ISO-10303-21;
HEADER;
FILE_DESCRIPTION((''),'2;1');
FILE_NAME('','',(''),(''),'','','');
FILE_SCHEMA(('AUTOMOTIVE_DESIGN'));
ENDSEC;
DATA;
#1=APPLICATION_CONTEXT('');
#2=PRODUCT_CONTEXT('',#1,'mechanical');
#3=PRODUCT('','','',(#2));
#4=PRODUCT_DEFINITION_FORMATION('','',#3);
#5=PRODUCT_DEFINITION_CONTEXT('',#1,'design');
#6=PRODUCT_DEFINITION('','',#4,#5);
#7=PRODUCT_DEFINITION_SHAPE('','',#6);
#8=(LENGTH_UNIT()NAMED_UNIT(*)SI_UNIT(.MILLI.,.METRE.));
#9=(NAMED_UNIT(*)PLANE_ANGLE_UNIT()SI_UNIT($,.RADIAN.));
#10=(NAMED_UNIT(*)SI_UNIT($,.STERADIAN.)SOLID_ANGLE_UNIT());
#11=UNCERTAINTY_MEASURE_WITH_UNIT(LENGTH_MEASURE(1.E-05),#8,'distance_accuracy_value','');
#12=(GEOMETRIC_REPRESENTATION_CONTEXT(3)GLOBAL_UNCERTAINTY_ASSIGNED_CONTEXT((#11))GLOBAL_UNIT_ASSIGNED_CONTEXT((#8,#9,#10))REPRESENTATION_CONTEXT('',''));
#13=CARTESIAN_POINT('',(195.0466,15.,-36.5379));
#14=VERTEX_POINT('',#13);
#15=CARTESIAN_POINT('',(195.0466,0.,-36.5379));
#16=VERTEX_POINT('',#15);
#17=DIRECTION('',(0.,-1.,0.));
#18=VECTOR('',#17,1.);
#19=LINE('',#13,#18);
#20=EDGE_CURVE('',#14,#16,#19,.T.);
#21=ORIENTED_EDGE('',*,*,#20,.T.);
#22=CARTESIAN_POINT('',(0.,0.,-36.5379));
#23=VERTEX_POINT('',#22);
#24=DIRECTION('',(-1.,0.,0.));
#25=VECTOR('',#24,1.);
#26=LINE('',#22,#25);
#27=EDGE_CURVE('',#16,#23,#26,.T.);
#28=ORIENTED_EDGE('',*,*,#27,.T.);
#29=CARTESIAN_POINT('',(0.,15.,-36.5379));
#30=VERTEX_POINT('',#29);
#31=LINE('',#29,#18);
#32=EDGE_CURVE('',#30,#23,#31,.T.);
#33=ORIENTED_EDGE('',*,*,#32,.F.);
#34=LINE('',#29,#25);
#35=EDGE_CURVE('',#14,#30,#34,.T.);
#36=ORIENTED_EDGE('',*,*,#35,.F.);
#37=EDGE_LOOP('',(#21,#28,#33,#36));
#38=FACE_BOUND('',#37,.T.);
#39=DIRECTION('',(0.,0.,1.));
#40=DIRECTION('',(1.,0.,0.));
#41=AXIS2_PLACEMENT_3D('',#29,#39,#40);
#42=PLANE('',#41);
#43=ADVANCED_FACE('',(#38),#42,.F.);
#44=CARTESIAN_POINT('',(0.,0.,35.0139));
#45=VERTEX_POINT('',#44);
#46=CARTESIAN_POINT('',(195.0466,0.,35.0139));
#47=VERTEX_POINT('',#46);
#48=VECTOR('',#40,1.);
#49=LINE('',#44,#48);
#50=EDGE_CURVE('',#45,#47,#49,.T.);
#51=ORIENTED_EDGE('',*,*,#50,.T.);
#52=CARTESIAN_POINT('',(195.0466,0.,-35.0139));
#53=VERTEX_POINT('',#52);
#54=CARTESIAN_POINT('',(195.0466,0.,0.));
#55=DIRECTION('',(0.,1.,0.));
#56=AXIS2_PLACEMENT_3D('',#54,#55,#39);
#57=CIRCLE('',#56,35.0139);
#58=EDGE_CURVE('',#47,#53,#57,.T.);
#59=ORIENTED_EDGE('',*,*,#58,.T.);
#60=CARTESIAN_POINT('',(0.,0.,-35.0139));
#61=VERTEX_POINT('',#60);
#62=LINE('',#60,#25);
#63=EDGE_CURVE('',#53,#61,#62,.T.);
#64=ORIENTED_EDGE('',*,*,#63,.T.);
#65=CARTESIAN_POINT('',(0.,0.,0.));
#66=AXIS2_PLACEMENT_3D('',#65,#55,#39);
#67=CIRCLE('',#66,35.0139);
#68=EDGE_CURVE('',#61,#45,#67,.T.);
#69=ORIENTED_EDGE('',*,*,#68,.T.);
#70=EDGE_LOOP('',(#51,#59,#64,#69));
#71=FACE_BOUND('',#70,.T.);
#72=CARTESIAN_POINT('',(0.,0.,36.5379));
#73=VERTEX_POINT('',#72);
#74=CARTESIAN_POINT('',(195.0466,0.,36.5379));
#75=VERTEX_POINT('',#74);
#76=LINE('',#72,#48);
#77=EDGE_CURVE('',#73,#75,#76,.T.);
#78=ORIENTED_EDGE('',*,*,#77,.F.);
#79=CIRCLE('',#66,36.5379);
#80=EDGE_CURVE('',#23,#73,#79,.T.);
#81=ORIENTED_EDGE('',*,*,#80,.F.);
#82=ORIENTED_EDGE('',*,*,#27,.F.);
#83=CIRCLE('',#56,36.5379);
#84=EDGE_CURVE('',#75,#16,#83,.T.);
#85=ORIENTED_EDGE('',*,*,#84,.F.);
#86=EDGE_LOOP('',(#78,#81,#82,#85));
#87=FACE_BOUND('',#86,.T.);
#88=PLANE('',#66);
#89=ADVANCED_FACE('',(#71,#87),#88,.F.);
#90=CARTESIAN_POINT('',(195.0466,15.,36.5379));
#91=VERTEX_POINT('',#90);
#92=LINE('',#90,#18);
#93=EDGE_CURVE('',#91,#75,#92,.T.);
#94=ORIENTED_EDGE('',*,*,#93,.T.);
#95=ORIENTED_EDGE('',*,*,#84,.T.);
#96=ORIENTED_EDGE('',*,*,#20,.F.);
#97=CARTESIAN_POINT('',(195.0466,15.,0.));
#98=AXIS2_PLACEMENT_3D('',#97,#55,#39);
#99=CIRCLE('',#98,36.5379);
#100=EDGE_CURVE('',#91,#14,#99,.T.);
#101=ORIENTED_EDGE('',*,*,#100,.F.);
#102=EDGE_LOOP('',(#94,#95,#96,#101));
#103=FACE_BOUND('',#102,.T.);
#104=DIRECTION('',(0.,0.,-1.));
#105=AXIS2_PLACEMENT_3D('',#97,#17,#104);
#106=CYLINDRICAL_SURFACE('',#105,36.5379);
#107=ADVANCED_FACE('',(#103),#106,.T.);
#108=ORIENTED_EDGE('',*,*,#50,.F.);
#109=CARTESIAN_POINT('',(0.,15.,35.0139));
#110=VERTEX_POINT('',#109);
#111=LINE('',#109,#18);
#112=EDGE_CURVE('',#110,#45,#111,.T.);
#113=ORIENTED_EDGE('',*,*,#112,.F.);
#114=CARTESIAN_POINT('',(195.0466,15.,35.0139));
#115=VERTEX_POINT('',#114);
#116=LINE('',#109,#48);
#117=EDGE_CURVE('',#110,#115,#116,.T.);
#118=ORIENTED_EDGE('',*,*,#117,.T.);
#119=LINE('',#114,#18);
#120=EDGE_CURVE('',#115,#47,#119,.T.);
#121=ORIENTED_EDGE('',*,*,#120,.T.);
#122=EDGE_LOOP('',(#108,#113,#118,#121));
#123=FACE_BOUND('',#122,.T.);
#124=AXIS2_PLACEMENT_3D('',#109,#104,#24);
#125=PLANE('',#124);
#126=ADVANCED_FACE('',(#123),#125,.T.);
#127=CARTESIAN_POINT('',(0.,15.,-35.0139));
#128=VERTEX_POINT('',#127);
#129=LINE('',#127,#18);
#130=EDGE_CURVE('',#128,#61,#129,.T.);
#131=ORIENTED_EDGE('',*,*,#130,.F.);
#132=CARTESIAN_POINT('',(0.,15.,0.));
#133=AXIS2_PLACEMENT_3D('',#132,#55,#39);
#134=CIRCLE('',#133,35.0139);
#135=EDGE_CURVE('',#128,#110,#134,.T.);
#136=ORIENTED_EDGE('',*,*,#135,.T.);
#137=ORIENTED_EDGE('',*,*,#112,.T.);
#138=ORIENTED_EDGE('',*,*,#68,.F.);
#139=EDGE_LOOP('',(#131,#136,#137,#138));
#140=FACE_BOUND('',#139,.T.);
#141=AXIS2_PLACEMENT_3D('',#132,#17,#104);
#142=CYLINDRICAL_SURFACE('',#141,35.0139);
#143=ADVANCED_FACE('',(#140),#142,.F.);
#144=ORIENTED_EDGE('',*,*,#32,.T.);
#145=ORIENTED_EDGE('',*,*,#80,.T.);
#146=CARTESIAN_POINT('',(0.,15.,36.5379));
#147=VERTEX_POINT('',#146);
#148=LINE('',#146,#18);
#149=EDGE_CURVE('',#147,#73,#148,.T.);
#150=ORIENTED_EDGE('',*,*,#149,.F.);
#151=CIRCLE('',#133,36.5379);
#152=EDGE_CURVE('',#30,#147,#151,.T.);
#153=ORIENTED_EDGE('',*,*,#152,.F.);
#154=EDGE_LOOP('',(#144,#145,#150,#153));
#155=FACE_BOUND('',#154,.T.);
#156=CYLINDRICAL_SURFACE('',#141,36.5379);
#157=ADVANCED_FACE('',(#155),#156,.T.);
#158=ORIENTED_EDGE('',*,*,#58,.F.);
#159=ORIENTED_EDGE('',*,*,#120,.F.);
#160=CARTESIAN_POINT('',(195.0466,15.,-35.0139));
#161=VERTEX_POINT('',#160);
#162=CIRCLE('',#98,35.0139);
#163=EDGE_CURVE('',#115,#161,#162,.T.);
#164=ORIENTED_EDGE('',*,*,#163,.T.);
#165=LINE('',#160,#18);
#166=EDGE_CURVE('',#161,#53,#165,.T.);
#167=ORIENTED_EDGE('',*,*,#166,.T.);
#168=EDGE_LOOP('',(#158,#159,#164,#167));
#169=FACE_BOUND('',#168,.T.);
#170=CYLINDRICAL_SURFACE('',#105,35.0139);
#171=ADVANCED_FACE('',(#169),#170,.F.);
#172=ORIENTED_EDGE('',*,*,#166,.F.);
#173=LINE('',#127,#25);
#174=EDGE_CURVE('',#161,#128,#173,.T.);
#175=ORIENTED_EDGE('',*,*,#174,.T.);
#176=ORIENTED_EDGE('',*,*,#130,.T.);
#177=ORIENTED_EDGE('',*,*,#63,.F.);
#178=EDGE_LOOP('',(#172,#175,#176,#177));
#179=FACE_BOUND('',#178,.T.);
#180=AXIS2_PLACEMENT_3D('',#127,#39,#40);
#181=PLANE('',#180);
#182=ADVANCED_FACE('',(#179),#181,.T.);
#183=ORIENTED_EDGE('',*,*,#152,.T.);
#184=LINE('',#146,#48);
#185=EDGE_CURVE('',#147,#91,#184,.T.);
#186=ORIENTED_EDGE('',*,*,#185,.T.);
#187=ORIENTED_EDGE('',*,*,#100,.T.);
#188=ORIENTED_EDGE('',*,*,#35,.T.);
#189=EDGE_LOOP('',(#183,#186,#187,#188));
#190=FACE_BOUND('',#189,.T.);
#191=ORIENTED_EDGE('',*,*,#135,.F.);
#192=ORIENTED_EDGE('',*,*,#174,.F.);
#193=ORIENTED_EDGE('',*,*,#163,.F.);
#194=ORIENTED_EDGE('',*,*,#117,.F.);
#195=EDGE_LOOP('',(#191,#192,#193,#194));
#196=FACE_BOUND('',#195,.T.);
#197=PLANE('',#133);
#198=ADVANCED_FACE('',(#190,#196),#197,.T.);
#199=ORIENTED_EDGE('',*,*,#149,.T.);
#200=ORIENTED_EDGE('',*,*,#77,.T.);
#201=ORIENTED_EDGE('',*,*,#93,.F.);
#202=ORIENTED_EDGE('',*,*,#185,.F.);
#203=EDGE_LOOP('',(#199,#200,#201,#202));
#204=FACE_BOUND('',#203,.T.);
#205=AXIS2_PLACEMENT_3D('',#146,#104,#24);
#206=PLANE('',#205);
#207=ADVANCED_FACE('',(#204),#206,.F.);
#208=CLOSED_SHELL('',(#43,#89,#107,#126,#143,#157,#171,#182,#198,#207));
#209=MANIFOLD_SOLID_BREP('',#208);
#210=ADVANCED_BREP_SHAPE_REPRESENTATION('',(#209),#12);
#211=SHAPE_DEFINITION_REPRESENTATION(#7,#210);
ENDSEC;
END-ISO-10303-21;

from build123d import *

# Parameters (mm, degrees)
BOSS_EXTRUDE1_DEPTH = 15


with BuildPart() as part:
    # Sketch1 → Boss-Extrude1 (new body)
    with BuildSketch(Plane(origin=(0, 0, 0), x_dir=(1, 0, 0), z_dir=(0, 1, 0))):
        with BuildLine():
            Line((0, -36.5379), (195.0466, -36.5379))
            ThreePointArc((195.0466, -36.5379), (231.5845, 0), (195.0466, 36.5379))
            Line((195.0466, 36.5379), (0, 36.5379))
            ThreePointArc((0, 36.5379), (-36.5379, 0), (0, -36.5379))
        make_face()
        with BuildLine():
            Line((0, 35.0139), (195.0466, 35.0139))
            ThreePointArc((195.0466, 35.0139), (230.0605, 0), (195.0466, -35.0139))
            Line((195.0466, -35.0139), (0, -35.0139))
            ThreePointArc((0, -35.0139), (-35.0139, 0), (0, 35.0139))
        make_face(mode=Mode.SUBTRACT)
    extrude(amount=BOSS_EXTRUDE1_DEPTH)


solid = part.part
